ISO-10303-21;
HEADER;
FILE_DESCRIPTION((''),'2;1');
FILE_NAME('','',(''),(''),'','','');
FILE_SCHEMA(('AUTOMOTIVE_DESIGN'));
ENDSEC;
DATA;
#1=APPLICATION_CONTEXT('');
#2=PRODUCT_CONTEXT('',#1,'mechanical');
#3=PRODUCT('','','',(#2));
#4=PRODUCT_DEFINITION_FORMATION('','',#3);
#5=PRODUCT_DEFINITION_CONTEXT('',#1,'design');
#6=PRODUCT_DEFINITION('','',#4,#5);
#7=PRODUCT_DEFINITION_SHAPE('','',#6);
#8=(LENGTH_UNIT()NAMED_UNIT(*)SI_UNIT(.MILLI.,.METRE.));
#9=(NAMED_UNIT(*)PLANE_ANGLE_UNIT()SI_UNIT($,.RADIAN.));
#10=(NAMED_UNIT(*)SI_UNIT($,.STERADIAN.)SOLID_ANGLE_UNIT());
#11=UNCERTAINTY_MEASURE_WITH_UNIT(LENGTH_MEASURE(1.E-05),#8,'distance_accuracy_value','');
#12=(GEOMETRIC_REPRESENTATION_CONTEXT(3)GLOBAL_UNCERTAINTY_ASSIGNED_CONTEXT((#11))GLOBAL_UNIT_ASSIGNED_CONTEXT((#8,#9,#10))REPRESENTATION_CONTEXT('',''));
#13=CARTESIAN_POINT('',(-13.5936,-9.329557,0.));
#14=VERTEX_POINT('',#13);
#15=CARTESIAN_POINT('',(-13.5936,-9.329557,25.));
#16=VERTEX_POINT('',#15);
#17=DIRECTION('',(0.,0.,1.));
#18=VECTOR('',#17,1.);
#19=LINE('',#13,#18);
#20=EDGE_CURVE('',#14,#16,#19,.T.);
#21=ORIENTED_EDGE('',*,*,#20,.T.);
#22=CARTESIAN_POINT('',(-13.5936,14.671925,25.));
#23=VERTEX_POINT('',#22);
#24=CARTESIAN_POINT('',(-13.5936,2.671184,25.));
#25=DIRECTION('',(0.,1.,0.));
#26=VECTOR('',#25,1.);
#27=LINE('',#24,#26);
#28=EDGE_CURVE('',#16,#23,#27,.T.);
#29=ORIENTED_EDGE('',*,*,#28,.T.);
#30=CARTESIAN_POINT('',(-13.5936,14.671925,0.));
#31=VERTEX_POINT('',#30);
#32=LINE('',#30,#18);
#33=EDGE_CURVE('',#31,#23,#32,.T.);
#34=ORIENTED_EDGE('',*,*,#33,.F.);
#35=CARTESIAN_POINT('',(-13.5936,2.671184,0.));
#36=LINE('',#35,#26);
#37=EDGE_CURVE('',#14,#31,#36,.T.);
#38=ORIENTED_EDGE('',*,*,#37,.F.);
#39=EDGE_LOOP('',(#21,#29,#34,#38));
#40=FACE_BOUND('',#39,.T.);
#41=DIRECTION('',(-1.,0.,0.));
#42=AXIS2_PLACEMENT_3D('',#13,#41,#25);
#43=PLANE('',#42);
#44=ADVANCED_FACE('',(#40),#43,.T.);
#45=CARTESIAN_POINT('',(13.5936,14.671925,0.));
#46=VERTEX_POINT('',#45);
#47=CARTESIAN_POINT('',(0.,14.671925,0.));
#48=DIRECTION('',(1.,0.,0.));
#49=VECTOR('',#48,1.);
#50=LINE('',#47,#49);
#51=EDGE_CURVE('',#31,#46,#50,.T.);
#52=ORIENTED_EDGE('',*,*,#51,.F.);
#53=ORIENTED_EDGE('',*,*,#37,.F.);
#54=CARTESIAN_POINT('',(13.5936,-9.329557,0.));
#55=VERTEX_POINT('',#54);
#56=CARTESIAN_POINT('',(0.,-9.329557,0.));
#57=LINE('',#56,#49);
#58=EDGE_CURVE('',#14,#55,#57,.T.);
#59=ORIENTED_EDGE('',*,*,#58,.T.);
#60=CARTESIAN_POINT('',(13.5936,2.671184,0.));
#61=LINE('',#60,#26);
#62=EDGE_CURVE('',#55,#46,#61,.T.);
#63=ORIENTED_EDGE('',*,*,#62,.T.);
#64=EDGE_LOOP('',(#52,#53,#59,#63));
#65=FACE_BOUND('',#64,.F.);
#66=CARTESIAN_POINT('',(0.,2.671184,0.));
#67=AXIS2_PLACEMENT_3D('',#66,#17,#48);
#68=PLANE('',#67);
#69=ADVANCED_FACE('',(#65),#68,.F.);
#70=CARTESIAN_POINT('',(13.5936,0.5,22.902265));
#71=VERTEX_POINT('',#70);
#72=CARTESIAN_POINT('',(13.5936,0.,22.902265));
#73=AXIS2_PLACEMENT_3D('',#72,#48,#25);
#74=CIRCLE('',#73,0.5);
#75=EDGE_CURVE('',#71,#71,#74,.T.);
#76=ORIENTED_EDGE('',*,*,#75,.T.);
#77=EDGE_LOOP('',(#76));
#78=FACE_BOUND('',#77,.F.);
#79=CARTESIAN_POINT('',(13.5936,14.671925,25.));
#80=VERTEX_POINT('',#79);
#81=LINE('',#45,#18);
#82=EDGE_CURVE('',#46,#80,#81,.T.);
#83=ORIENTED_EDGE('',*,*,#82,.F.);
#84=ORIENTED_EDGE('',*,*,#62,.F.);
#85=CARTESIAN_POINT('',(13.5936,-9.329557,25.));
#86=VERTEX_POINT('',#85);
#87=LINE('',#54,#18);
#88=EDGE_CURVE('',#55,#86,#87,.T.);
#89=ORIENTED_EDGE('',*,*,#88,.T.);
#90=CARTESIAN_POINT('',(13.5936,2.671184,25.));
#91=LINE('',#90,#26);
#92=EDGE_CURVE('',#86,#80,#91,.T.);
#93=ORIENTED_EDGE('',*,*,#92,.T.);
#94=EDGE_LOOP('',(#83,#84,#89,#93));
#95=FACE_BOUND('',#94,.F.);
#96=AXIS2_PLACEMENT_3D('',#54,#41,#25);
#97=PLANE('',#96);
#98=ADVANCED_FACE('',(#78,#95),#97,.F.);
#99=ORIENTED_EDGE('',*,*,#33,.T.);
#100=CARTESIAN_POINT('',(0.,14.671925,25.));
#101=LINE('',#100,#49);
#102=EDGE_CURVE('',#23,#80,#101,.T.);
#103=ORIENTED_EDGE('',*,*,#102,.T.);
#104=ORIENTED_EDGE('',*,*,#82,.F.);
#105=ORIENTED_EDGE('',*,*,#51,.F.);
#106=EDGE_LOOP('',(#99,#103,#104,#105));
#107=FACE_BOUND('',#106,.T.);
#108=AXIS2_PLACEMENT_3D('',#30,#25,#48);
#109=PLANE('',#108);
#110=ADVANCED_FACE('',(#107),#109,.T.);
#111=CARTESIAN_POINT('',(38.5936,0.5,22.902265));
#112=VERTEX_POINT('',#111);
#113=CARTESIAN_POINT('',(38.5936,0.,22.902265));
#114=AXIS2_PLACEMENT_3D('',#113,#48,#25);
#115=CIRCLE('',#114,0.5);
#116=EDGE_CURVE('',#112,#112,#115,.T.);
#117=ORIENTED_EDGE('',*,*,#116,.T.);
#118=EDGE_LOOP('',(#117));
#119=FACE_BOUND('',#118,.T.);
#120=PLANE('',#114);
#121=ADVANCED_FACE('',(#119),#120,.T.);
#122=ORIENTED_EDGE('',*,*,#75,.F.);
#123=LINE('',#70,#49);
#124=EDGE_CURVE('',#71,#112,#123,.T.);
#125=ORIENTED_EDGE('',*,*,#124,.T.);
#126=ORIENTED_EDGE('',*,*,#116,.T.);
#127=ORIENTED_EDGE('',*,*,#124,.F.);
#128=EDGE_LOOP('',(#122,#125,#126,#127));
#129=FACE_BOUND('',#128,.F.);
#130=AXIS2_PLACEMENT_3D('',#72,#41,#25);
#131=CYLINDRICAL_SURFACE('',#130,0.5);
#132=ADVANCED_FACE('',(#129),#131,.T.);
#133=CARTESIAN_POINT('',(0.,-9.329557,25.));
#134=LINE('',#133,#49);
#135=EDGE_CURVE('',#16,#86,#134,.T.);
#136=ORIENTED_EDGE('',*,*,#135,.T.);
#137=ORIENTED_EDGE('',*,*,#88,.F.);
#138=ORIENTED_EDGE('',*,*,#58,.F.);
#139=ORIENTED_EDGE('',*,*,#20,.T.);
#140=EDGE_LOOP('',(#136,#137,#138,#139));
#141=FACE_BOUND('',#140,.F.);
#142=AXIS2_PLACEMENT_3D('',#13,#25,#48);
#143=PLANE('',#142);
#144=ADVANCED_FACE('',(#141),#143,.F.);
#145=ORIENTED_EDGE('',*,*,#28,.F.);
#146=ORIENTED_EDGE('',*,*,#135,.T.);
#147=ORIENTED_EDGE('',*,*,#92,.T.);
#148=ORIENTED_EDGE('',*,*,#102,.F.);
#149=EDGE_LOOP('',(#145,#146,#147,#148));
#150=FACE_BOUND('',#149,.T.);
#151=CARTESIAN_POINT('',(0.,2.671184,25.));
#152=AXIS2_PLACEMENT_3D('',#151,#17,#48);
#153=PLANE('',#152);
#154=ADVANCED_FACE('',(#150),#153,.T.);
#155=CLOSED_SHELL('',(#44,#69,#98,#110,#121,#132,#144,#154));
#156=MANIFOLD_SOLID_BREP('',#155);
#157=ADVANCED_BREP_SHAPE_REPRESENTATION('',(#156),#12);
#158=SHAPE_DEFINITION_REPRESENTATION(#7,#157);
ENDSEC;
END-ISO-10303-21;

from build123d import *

# Parameters (mm, degrees)
F0_W     = 27.1872
F0_H     = 24.001482
F1_DEPTH = 25
F2_R     = 0.5
F3_DEPTH = 25


with BuildPart() as f1:
    # F0 (on Top) → F1 (new body)
    with BuildSketch(Plane.XY):
        with Locations((0, 2.671184)):
            Rectangle(F0_W, F0_H)
    extrude(amount=F1_DEPTH)

    # F2 (on face) → F3 (join)
    with BuildSketch(Plane.YZ.offset(13.5936)):
        with Locations((0, 22.902265)):
            Circle(F2_R)
    extrude(amount=F3_DEPTH)


solid = f1.part
